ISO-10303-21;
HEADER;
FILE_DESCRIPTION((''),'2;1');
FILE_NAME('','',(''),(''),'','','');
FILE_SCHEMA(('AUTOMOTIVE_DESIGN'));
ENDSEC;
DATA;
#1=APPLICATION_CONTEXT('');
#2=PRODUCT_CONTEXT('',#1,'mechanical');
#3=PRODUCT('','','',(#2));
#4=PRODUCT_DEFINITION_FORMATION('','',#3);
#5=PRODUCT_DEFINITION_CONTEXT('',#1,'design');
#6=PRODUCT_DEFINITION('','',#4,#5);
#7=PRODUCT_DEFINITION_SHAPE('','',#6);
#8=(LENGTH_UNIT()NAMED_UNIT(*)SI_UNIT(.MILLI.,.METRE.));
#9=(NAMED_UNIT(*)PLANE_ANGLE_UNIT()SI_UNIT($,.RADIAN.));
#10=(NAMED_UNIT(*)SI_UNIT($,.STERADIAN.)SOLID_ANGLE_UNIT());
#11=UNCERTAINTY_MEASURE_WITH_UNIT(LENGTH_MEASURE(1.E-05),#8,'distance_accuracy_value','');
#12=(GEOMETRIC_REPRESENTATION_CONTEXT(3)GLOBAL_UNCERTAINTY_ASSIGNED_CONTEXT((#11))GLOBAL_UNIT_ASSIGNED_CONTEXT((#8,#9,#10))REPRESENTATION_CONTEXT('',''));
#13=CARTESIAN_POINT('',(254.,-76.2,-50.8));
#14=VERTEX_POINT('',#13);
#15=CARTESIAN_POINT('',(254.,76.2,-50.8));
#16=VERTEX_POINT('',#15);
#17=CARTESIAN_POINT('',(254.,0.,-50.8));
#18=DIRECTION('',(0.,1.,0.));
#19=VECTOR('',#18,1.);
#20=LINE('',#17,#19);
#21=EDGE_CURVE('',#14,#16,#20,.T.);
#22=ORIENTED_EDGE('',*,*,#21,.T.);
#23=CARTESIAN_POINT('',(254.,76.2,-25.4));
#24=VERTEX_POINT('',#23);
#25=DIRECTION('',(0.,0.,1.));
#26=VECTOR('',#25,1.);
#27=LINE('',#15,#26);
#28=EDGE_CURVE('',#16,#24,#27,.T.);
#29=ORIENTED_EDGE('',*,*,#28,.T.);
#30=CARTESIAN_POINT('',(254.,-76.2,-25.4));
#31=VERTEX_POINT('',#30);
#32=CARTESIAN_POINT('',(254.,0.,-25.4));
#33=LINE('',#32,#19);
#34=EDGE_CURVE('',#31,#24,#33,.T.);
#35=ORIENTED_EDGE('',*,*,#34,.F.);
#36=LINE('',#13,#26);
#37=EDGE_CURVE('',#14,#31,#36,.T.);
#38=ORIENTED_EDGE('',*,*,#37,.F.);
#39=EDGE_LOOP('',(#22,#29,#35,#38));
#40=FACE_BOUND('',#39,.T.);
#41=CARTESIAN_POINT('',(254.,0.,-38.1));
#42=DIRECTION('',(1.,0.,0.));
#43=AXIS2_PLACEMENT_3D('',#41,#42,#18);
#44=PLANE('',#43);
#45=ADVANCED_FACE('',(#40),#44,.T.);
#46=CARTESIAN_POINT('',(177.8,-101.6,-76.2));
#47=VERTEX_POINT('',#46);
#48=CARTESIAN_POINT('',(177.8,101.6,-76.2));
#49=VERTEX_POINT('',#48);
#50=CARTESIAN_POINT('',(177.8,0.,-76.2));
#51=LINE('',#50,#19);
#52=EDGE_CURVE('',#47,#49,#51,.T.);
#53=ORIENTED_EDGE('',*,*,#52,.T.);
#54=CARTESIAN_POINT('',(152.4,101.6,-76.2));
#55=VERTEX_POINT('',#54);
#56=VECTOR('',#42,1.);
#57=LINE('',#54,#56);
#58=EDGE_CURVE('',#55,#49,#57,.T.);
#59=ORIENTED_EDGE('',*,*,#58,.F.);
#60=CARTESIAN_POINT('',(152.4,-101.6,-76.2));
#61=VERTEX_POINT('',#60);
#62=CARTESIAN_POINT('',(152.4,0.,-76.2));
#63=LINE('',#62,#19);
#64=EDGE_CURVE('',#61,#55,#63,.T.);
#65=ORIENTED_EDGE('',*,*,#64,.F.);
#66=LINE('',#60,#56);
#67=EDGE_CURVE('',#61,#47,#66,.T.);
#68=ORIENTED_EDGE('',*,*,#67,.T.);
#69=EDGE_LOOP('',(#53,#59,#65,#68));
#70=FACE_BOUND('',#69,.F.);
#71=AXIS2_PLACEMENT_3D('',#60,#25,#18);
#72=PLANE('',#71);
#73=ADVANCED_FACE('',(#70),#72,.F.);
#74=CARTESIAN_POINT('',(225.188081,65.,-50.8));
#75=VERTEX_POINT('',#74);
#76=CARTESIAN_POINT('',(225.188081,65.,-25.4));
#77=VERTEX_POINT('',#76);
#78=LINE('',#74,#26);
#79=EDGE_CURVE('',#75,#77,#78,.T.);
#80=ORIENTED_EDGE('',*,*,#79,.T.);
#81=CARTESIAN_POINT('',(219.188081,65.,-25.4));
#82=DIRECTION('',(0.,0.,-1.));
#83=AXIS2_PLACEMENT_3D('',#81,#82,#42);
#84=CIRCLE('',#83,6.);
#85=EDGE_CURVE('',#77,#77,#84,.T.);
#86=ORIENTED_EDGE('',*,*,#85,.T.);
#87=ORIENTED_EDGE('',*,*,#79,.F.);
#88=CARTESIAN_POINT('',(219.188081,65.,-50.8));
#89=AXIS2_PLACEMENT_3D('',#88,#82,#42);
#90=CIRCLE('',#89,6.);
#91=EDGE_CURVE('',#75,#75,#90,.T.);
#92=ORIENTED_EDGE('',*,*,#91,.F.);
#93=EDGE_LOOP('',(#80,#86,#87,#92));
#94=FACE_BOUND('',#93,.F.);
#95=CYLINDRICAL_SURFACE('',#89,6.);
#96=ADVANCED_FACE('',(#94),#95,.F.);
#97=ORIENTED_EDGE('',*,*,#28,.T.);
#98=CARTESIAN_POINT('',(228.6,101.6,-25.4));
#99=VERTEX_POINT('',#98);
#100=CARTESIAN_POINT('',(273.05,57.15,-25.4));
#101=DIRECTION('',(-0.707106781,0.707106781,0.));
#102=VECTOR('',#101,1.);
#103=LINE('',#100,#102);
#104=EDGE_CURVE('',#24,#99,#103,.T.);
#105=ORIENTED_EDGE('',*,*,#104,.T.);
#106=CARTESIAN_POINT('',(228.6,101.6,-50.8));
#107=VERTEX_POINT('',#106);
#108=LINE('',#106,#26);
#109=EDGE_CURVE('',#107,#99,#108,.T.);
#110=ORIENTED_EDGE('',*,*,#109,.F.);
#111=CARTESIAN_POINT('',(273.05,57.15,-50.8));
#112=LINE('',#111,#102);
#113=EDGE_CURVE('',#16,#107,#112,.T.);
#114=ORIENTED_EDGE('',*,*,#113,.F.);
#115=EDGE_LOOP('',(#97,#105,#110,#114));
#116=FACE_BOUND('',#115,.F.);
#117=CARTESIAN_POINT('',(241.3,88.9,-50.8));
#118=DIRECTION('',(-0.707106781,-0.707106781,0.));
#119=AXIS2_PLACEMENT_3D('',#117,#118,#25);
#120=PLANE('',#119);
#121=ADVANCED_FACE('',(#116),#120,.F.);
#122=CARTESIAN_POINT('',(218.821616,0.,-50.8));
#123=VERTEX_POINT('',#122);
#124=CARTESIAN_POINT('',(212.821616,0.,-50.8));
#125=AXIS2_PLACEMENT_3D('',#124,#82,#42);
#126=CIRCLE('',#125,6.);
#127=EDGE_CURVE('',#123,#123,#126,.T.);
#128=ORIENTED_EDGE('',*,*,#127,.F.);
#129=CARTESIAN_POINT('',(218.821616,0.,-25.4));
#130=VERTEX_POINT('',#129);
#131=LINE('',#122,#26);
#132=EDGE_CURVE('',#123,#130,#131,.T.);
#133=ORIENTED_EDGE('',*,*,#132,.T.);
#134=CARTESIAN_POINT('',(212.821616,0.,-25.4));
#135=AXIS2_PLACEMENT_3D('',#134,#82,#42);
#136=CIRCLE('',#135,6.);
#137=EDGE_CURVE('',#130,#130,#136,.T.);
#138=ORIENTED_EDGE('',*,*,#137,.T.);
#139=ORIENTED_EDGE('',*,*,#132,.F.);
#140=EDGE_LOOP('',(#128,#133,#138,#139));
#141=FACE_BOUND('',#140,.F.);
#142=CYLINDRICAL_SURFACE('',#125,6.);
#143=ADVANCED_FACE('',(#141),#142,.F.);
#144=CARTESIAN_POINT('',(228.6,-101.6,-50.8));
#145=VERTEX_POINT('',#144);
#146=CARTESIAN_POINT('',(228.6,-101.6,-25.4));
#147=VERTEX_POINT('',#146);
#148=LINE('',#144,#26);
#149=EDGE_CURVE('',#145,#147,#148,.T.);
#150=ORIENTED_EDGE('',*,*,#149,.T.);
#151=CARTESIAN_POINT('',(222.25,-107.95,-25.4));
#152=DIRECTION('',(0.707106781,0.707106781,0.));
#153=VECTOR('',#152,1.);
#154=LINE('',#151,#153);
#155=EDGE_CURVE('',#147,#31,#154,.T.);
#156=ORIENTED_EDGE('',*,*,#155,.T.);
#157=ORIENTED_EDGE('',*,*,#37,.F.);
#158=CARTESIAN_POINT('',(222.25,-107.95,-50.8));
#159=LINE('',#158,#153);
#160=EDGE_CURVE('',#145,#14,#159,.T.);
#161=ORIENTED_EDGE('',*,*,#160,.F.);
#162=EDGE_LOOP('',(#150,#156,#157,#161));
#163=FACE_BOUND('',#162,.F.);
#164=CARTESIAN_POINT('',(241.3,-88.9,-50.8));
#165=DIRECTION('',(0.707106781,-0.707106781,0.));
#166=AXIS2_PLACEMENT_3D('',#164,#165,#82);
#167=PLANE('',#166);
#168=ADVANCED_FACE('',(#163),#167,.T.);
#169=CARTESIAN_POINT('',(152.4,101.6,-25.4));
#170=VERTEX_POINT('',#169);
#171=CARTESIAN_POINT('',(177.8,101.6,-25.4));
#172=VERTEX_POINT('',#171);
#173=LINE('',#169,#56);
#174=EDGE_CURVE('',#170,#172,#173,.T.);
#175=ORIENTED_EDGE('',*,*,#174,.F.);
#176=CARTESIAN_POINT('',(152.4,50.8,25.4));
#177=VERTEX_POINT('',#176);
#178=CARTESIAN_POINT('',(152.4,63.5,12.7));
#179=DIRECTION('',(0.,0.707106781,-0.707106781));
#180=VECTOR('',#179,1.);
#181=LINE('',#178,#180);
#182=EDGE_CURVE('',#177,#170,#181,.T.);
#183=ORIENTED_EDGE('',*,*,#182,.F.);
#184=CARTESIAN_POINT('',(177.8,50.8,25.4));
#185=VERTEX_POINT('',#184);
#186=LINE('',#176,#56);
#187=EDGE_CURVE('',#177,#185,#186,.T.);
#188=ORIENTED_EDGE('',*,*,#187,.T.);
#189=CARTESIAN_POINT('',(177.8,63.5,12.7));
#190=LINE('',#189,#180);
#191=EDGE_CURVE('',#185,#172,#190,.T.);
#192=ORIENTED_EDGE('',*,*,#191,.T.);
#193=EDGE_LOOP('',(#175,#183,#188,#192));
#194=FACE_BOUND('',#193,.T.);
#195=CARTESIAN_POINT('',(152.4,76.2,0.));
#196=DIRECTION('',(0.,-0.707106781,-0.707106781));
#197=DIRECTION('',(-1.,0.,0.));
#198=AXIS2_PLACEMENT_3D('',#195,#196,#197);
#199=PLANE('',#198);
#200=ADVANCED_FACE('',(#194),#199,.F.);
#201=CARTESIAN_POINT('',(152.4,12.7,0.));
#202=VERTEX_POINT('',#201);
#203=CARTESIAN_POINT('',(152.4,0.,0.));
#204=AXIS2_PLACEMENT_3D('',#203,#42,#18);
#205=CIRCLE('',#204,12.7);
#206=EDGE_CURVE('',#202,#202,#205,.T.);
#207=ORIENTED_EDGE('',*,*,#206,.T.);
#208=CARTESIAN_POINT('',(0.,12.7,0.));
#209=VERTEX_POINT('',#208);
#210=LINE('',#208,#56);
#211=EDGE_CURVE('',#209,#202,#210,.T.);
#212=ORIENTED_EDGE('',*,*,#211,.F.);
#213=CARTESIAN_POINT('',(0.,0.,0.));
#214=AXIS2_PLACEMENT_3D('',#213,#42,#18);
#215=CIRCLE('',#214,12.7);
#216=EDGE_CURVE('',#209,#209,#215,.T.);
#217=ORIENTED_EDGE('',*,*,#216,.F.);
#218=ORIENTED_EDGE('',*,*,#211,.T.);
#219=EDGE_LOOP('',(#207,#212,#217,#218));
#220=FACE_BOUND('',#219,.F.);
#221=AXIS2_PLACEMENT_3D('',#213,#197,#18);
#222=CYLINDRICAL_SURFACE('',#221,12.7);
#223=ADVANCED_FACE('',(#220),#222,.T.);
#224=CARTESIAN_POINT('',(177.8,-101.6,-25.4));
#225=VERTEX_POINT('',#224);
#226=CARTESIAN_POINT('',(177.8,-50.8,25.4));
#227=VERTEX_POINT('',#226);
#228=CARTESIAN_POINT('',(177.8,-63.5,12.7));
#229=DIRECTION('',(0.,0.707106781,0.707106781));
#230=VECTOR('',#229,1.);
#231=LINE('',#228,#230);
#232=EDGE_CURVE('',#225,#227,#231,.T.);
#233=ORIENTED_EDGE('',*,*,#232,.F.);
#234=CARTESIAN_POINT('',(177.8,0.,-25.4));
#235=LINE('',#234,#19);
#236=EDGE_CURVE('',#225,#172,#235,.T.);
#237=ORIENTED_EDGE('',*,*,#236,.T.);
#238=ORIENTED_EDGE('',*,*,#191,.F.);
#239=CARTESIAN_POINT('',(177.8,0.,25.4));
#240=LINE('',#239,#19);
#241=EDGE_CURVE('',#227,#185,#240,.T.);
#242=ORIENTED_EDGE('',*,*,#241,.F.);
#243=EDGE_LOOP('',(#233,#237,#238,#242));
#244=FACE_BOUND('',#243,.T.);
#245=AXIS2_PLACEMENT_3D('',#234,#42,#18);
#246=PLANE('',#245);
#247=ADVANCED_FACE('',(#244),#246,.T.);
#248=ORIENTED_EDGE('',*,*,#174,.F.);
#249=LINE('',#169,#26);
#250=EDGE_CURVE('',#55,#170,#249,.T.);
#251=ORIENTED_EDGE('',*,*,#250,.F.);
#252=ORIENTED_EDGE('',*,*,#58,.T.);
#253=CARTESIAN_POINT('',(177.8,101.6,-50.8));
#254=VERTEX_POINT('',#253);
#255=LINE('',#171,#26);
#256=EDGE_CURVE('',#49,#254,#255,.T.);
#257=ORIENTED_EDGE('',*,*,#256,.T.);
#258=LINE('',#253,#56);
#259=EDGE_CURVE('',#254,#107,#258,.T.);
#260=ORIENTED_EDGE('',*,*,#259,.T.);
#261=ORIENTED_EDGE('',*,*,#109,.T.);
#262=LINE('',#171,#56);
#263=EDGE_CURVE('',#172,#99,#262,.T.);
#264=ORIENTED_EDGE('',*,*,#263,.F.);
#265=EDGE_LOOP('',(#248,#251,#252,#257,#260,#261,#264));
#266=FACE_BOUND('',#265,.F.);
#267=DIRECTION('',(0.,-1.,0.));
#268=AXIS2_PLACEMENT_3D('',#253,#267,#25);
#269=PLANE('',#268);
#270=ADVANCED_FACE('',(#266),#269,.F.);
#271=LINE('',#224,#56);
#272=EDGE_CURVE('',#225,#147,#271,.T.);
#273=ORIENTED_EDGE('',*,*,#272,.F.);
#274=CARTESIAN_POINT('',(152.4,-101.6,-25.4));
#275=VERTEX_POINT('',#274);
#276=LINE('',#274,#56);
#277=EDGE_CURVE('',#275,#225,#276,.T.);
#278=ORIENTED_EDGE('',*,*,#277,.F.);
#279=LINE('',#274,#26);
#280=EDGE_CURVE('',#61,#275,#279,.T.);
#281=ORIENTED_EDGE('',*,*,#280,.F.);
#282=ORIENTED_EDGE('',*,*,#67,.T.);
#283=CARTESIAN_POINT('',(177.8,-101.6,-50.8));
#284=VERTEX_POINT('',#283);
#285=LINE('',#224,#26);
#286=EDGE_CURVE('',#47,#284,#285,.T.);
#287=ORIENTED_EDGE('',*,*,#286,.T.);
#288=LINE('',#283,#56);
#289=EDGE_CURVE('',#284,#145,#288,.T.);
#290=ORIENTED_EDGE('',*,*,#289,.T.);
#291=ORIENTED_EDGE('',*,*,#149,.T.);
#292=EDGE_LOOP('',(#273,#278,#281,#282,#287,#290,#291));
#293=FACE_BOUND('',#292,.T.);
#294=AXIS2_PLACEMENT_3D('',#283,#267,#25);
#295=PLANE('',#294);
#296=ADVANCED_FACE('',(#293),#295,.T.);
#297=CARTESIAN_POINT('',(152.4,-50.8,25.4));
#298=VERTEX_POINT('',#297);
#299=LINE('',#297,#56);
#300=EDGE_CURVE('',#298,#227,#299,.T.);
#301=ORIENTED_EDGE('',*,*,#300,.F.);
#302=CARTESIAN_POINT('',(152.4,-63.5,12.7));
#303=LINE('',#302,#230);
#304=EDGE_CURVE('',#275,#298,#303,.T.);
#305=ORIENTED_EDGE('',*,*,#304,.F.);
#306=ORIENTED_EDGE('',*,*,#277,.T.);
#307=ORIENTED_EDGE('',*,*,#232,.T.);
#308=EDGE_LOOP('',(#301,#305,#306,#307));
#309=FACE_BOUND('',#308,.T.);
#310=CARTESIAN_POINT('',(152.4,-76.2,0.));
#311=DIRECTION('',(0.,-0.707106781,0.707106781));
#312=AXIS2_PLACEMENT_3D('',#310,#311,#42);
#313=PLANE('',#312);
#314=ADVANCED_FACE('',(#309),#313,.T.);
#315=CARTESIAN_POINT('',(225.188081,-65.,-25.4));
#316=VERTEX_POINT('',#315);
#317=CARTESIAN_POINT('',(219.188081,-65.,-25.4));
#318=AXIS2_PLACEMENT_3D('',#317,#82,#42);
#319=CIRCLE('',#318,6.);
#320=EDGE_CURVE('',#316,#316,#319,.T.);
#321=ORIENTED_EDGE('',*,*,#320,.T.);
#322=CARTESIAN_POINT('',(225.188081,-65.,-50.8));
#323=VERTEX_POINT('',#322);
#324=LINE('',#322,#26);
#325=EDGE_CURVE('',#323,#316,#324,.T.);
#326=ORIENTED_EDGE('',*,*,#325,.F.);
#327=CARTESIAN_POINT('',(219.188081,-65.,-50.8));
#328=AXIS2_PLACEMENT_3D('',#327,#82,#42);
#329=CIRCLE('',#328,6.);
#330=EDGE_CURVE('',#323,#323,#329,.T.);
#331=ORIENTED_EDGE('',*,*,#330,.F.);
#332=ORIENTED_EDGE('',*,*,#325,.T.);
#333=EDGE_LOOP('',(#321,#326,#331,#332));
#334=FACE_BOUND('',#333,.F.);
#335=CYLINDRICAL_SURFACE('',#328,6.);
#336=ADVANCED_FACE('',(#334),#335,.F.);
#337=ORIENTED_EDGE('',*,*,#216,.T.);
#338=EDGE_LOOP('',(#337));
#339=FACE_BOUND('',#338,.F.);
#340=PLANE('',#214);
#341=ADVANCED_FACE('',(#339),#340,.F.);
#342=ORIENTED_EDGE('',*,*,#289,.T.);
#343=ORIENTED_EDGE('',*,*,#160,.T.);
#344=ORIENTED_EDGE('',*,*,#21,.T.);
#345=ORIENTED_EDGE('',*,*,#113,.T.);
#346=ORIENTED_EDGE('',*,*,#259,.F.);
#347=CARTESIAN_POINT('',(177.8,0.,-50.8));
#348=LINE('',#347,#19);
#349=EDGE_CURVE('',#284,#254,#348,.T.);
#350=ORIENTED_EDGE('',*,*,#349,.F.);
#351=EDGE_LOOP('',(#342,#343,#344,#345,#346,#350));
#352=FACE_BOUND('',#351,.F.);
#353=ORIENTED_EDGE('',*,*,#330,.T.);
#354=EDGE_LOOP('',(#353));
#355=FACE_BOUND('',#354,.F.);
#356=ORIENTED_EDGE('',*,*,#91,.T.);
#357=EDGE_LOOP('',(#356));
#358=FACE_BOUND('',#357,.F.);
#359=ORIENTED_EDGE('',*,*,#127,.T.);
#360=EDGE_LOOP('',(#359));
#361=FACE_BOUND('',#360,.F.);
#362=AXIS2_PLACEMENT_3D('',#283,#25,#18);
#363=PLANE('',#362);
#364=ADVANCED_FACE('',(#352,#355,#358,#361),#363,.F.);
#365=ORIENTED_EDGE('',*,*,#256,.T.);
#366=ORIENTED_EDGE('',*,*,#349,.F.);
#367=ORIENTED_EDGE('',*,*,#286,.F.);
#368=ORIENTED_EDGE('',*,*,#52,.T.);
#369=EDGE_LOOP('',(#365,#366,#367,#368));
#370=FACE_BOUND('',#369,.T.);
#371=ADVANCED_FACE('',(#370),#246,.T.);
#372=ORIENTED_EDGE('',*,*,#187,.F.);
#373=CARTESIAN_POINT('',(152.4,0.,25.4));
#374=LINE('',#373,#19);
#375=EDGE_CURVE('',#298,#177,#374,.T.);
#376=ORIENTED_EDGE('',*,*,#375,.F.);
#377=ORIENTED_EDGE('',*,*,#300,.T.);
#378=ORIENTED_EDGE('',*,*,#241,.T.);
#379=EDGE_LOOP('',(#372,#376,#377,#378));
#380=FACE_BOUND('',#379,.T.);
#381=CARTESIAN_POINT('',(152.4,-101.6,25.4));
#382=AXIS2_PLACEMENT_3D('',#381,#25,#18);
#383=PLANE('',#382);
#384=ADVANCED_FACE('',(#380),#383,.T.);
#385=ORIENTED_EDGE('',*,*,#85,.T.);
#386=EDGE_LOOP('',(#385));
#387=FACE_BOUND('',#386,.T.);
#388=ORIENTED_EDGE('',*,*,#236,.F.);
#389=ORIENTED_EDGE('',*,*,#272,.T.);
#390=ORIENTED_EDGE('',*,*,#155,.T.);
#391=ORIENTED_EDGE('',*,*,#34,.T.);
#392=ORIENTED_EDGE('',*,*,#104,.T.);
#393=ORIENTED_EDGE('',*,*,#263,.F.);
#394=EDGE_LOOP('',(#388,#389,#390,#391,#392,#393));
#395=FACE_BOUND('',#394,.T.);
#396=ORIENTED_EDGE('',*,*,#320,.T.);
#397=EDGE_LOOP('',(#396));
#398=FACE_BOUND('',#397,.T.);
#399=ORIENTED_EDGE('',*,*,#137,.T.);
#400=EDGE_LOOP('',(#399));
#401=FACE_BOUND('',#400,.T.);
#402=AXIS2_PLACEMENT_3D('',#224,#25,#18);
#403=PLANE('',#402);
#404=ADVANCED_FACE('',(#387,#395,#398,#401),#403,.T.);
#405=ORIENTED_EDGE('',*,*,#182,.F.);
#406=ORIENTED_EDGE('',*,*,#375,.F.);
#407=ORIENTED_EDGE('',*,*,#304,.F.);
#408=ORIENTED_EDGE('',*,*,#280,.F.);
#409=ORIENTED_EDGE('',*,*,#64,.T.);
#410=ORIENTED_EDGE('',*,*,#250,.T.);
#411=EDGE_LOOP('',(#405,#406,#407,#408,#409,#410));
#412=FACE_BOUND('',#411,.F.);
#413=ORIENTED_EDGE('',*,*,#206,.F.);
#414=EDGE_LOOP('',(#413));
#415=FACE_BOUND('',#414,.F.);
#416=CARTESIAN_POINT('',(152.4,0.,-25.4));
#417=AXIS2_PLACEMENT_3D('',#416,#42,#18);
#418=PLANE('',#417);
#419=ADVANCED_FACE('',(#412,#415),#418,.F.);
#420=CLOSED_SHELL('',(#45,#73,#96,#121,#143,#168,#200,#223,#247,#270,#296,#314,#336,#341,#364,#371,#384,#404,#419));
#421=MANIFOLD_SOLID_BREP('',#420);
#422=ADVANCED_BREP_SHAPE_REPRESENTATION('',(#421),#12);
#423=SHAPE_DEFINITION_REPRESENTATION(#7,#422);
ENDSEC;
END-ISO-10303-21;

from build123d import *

# Parameters (mm, degrees)
F0_R     = 12.7
F1_DEPTH = 152.4
F2_W     = 203.2
F2_H     = 101.6
F3_DEPTH = 25.4
F4_SIZE  = 50.8
F5_W     = 203.2
F5_H     = 25.4
F6_DEPTH = 76.2
F7_SIZE  = 25.4
F8_R     = 6
F9_DEPTH = 76.201


with BuildPart() as f1:
    # F0 (on Right) → F1 (new body)
    with BuildSketch(Plane.YZ):
        Circle(F0_R)
    extrude(amount=F1_DEPTH)

    # F2 (on face) → F3 (join)
    with BuildSketch(Plane.YZ.offset(152.4)):
        with Locations((0, -25.4)):
            Rectangle(F2_W, F2_H)
    extrude(amount=F3_DEPTH)

    # F4
    f4_edges = [f1.edges().sort_by_distance(p)[0] for p in [
        (165.1, 101.6, 25.4),
        (165.1, -101.6, 25.4),
    ]]
    chamfer(f4_edges, length=F4_SIZE)

    # F5 (on face) → F6 (join)
    with BuildSketch(Plane.YZ.offset(177.8)):
        with Locations((0, -38.1)):
            Rectangle(F5_W, F5_H)
    extrude(amount=F6_DEPTH)

    # F7
    f7_edges = [f1.edges().sort_by_distance(p)[0] for p in [
        (254, -101.6, -38.1),
        (254, 101.6, -38.1),
    ]]
    chamfer(f7_edges, length=F7_SIZE)

    # F8 (on face) → F9 (cut, through all)
    with BuildSketch(Plane(origin=(0, 0, -50.8), x_dir=(1, 0, 0), z_dir=(0, 0, -1))):
        with Locations((219.188081, 65)):
            Circle(F8_R)
        with Locations((212.821616, 0)):
            Circle(F8_R)
        with Locations((219.188081, -65)):
            Circle(F8_R)
    extrude(amount=-F9_DEPTH, mode=Mode.SUBTRACT)


solid = f1.part
